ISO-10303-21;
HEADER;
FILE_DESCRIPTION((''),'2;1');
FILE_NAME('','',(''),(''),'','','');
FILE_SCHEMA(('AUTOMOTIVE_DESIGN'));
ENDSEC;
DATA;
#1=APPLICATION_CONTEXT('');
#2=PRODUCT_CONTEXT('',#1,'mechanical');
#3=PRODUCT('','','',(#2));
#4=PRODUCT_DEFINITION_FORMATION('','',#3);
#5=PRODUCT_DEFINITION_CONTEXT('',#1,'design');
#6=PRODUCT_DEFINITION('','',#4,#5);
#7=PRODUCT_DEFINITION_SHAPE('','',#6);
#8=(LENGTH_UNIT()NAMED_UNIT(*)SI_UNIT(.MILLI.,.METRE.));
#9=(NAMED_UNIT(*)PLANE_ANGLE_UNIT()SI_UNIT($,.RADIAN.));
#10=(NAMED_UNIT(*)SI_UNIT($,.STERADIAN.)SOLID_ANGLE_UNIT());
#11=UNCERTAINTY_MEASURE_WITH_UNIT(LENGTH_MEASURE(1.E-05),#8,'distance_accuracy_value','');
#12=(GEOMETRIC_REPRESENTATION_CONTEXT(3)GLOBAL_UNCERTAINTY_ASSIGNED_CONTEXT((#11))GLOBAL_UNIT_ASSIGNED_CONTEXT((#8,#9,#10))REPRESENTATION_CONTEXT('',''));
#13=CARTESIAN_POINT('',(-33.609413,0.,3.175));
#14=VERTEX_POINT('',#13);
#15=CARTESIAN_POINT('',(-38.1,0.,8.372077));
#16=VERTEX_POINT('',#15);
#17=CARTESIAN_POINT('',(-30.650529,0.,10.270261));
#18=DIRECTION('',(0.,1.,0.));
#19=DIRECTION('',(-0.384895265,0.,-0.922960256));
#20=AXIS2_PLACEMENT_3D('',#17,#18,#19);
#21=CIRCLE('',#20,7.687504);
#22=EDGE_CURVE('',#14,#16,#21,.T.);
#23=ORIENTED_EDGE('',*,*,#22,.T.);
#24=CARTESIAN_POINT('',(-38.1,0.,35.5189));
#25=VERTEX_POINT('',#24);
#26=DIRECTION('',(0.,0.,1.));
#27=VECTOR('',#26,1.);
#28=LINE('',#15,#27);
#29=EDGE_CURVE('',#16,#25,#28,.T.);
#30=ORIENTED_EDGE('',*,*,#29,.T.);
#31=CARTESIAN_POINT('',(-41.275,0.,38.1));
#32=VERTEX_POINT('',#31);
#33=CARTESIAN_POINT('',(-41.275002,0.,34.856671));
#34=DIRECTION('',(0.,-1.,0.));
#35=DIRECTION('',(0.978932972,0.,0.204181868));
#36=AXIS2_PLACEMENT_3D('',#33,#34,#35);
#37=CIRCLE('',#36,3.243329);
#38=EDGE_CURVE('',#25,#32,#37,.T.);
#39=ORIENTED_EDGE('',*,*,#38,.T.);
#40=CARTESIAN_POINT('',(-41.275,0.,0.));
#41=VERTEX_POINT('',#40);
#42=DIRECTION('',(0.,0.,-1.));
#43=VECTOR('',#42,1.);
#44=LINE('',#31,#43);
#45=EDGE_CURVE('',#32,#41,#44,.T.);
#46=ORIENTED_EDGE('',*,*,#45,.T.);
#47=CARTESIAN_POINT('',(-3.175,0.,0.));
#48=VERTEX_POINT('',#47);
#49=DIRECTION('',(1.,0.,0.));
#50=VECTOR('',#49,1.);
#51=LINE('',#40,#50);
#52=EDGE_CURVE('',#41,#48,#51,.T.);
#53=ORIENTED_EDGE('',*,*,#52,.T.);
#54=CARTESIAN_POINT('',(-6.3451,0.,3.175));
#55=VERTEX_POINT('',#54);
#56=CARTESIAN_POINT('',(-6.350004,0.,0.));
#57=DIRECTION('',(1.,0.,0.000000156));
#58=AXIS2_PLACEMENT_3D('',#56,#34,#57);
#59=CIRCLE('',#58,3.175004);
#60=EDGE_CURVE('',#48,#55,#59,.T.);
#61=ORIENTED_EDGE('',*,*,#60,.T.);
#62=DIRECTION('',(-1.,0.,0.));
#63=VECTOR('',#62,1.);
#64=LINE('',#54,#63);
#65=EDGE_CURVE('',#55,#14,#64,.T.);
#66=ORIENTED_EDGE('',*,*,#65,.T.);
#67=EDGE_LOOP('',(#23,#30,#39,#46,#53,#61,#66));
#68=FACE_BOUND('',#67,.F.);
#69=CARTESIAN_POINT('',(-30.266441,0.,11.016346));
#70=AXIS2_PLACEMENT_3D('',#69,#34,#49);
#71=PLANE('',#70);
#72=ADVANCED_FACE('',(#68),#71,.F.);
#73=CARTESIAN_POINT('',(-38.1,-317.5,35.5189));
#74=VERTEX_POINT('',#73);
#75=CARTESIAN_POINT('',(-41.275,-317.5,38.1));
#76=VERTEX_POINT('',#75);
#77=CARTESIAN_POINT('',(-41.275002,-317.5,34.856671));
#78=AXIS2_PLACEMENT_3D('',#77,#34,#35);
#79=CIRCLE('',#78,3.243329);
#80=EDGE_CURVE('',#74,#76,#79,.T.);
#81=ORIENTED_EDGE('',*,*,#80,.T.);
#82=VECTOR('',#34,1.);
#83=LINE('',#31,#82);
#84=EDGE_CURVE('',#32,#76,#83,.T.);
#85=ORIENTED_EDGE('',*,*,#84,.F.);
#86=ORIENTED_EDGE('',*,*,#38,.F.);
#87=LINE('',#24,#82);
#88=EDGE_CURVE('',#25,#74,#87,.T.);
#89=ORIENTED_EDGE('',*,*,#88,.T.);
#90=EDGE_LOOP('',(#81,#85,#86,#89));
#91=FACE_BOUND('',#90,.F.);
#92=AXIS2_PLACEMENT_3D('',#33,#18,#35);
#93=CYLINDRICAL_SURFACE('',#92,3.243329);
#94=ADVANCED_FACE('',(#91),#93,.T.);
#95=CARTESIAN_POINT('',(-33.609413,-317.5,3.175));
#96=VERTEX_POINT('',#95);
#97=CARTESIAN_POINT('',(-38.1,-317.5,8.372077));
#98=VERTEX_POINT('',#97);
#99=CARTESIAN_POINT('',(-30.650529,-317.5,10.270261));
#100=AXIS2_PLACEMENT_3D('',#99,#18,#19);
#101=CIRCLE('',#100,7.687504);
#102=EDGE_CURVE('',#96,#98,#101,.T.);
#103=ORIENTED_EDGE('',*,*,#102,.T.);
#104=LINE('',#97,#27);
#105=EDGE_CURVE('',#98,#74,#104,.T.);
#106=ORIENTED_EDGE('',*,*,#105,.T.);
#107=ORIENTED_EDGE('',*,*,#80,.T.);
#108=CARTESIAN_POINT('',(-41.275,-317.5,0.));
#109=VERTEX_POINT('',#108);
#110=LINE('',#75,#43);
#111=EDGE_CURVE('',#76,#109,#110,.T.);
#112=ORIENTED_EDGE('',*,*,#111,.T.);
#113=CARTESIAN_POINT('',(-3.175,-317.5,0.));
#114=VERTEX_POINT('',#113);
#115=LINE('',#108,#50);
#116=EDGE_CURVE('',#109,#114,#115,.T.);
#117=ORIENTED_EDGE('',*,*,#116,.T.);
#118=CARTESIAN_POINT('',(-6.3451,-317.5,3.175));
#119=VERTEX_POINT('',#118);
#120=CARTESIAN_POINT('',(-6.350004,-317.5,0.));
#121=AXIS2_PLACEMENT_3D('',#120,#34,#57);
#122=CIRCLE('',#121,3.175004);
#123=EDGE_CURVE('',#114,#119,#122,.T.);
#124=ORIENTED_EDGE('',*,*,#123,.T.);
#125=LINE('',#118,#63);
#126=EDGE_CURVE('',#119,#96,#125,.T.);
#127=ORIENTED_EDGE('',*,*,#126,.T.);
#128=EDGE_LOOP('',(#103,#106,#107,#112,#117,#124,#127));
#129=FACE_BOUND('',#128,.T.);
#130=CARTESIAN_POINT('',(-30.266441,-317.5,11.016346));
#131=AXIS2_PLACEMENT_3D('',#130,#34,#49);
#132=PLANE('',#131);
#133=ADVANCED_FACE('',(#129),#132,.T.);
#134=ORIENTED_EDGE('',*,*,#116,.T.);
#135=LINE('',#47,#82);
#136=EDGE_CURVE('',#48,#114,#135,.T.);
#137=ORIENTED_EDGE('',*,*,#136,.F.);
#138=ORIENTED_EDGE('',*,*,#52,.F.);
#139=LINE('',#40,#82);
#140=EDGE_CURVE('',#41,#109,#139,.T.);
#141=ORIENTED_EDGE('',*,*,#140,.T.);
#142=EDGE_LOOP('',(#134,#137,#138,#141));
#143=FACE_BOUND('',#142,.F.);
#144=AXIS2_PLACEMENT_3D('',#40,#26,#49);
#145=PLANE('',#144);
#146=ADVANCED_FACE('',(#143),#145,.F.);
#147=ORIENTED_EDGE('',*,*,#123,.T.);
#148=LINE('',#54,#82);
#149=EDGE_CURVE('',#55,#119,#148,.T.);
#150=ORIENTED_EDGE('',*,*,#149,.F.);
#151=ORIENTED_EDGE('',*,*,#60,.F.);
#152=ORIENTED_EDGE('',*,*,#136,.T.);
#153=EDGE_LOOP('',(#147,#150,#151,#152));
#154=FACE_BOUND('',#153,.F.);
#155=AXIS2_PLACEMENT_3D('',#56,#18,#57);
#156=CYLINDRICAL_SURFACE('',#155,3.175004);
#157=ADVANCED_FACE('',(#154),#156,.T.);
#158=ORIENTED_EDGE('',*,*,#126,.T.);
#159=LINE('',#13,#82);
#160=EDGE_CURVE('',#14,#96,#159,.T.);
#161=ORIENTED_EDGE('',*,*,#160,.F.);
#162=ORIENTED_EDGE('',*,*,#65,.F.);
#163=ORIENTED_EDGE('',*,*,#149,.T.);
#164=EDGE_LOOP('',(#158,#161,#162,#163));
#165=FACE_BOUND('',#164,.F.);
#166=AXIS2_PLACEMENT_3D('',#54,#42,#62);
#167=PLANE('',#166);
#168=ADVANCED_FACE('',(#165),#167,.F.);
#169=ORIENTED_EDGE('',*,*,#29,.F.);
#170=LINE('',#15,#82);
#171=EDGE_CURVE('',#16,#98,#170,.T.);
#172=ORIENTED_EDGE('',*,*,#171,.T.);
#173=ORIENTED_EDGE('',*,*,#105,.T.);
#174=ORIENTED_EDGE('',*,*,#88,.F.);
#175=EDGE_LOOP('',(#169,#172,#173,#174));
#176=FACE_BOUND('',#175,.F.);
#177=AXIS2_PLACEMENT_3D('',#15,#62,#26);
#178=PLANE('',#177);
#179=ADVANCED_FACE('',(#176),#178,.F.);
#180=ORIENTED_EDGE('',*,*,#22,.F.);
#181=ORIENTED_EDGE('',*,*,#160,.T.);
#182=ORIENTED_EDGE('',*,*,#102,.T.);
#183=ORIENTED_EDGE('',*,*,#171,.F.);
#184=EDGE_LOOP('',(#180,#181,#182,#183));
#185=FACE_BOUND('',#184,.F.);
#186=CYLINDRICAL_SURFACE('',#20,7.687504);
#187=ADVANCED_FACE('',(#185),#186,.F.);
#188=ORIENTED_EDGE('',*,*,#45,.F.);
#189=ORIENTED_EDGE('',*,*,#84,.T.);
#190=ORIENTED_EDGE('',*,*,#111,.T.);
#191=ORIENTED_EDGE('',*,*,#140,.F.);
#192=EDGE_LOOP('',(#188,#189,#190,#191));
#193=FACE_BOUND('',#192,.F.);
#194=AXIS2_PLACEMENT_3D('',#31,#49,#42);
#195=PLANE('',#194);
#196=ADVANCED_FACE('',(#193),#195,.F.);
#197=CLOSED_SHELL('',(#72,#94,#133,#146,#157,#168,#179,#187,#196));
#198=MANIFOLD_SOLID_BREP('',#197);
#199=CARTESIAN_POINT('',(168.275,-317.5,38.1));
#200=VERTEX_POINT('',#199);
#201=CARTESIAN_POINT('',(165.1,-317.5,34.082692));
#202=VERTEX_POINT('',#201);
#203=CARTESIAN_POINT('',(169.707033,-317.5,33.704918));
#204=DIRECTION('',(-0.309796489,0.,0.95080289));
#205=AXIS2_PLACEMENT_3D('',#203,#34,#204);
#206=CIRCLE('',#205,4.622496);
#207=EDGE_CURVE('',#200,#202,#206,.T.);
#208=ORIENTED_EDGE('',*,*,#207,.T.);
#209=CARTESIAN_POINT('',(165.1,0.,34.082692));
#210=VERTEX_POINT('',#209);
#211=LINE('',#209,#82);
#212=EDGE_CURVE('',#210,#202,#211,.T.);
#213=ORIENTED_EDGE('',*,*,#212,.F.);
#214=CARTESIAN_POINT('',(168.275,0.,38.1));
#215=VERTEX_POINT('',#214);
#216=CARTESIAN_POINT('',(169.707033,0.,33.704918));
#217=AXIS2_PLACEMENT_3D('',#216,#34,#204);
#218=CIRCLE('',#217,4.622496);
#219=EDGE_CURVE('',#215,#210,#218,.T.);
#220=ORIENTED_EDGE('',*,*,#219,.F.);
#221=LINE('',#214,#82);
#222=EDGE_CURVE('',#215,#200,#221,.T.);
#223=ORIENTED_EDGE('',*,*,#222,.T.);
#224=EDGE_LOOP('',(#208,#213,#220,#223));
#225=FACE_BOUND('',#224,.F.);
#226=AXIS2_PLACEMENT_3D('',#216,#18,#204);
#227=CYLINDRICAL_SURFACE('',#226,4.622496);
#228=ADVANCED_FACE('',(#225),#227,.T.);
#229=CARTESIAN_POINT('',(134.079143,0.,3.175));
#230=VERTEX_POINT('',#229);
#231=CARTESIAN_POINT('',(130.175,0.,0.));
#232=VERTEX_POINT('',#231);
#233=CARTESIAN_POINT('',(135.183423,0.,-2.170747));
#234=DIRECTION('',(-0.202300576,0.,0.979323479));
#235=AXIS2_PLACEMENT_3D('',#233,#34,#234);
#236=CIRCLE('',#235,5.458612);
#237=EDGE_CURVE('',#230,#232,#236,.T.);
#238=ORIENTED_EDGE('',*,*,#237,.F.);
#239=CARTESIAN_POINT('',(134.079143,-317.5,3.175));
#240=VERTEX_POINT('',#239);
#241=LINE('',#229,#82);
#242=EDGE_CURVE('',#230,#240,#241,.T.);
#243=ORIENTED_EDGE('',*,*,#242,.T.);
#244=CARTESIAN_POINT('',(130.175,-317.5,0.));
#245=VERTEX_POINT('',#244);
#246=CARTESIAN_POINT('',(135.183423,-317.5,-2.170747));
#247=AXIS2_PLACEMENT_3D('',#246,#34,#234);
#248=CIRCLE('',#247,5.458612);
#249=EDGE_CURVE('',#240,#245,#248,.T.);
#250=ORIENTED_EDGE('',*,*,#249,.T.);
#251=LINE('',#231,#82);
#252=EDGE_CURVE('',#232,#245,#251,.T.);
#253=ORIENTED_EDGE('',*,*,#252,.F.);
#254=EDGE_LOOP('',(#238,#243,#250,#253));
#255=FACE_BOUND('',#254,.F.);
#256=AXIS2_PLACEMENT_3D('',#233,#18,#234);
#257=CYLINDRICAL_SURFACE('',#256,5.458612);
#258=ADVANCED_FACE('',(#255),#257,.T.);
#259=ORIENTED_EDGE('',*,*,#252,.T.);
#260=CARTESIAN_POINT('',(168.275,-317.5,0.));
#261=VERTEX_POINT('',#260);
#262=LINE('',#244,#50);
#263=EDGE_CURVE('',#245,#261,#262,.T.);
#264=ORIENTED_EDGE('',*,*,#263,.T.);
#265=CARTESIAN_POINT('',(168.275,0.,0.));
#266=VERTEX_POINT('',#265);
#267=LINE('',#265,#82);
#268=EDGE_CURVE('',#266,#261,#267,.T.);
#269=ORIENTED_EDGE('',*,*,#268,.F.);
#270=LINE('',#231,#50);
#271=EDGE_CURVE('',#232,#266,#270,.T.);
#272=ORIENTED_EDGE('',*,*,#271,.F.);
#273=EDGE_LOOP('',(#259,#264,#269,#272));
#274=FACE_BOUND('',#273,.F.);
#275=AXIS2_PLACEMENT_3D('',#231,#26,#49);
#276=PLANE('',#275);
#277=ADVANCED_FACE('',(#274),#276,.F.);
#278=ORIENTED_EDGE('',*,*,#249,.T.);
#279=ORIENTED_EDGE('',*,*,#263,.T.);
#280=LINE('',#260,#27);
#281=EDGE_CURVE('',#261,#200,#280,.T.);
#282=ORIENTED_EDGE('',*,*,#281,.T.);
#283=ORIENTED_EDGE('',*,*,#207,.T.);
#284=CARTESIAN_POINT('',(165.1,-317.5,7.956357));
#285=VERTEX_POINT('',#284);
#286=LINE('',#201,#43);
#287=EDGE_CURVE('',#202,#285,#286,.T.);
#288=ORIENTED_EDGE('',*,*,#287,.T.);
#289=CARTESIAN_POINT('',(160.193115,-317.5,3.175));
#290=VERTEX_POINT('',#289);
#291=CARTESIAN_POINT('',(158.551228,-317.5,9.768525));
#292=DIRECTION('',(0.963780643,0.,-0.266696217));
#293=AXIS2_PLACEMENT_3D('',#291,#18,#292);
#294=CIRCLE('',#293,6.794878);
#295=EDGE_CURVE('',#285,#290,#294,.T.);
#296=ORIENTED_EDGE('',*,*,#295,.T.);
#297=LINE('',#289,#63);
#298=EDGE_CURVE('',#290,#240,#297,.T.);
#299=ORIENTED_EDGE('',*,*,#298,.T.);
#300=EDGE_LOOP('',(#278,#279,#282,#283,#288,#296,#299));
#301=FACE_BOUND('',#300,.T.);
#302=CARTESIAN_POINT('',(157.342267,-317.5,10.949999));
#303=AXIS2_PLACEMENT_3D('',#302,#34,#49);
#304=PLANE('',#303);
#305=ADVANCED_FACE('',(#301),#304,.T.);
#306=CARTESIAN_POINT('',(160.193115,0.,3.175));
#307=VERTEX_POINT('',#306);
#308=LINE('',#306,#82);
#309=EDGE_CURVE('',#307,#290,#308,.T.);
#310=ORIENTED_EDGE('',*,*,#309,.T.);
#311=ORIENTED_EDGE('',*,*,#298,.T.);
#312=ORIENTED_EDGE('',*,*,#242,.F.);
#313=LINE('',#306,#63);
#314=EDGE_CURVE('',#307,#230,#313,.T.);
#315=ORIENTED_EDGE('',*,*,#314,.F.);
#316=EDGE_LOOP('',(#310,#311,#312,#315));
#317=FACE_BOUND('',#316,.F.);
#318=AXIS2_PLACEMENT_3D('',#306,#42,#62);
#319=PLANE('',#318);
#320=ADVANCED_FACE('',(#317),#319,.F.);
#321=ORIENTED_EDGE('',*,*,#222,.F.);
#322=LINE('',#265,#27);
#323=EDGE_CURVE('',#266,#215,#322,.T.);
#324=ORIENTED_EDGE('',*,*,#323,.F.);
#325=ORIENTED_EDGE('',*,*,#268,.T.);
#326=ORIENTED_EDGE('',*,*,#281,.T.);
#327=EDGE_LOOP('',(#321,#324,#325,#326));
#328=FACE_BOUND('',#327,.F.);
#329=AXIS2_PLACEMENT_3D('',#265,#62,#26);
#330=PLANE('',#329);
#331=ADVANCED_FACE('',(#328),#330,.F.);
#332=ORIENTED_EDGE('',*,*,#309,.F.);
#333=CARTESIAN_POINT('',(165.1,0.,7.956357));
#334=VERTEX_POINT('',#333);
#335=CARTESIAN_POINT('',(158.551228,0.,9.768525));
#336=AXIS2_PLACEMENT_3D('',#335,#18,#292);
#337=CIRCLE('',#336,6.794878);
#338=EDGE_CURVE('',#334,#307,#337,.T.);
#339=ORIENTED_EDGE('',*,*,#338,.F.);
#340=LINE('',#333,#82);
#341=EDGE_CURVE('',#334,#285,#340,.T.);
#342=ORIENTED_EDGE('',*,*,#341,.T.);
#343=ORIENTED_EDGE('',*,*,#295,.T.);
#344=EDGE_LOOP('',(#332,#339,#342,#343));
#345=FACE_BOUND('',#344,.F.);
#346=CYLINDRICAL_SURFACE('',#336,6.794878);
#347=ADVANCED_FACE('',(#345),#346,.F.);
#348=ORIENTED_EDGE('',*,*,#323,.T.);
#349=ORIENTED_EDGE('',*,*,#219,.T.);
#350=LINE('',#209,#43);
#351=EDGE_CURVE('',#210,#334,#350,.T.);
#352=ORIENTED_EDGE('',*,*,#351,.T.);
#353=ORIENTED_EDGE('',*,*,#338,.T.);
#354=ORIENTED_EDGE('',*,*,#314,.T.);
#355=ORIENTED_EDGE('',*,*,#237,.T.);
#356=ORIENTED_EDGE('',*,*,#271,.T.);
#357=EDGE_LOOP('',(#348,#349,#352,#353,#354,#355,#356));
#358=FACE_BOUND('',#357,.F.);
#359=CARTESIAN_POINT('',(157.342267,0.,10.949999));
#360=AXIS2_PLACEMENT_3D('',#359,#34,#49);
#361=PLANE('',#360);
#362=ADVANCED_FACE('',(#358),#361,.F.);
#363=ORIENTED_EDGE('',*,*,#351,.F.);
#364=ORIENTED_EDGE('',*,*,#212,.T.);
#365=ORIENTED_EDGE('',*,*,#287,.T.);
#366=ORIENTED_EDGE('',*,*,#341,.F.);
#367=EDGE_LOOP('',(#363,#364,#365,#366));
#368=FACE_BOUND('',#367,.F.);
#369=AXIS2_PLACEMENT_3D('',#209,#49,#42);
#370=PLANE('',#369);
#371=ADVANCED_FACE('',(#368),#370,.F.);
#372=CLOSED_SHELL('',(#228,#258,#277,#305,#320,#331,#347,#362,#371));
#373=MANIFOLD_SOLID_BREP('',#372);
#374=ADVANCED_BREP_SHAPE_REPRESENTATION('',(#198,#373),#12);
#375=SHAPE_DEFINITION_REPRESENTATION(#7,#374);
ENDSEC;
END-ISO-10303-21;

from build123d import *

# Parameters (mm, degrees)
F1_DEPTH = 317.5


with BuildPart() as f1:
    # F0 (on Front) → F1 (new body)
    with BuildSketch(Plane.XZ):
        with BuildLine():
            Line((-41.275, 3.175), (-41.275, 0))
            Line((-41.275, 0), (-38.1, 0))
            Line((-38.1, 0), (-3.175, 0))
            ThreePointArc((-3.175, 0), (-4.103204, 2.243332), (-6.3451, 3.175))
            Line((-6.3451, 3.175), (-33.609413, 3.175))
            ThreePointArc((-33.609413, 3.175), (-36.467389, 5.244143), (-38.1, 8.372077))
            Line((-38.1, 8.372077), (-38.1, 35.5189))
            ThreePointArc((-38.1, 35.5189), (-39.229108, 37.373316), (-41.275, 38.1))
            Line((-41.275, 38.1), (-41.275, 3.175))
        make_face()
        with BuildLine():
            ThreePointArc((134.079143, 3.175), (131.739379, 2.064227), (130.175, 0))
            Line((130.175, 0), (165.1, 0))
            Line((165.1, 0), (168.275, 0))
            Line((168.275, 0), (168.275, 3.175))
            Line((168.275, 3.175), (168.275, 38.1))
            ThreePointArc((168.275, 38.1), (166.080427, 36.571134), (165.1, 34.082692))
            Line((165.1, 34.082692), (165.1, 7.956357))
            ThreePointArc((165.1, 7.956357), (163.293281, 4.901976), (160.193115, 3.175))
            Line((160.193115, 3.175), (134.079143, 3.175))
        make_face()
    extrude(amount=F1_DEPTH)


solid = f1.part
